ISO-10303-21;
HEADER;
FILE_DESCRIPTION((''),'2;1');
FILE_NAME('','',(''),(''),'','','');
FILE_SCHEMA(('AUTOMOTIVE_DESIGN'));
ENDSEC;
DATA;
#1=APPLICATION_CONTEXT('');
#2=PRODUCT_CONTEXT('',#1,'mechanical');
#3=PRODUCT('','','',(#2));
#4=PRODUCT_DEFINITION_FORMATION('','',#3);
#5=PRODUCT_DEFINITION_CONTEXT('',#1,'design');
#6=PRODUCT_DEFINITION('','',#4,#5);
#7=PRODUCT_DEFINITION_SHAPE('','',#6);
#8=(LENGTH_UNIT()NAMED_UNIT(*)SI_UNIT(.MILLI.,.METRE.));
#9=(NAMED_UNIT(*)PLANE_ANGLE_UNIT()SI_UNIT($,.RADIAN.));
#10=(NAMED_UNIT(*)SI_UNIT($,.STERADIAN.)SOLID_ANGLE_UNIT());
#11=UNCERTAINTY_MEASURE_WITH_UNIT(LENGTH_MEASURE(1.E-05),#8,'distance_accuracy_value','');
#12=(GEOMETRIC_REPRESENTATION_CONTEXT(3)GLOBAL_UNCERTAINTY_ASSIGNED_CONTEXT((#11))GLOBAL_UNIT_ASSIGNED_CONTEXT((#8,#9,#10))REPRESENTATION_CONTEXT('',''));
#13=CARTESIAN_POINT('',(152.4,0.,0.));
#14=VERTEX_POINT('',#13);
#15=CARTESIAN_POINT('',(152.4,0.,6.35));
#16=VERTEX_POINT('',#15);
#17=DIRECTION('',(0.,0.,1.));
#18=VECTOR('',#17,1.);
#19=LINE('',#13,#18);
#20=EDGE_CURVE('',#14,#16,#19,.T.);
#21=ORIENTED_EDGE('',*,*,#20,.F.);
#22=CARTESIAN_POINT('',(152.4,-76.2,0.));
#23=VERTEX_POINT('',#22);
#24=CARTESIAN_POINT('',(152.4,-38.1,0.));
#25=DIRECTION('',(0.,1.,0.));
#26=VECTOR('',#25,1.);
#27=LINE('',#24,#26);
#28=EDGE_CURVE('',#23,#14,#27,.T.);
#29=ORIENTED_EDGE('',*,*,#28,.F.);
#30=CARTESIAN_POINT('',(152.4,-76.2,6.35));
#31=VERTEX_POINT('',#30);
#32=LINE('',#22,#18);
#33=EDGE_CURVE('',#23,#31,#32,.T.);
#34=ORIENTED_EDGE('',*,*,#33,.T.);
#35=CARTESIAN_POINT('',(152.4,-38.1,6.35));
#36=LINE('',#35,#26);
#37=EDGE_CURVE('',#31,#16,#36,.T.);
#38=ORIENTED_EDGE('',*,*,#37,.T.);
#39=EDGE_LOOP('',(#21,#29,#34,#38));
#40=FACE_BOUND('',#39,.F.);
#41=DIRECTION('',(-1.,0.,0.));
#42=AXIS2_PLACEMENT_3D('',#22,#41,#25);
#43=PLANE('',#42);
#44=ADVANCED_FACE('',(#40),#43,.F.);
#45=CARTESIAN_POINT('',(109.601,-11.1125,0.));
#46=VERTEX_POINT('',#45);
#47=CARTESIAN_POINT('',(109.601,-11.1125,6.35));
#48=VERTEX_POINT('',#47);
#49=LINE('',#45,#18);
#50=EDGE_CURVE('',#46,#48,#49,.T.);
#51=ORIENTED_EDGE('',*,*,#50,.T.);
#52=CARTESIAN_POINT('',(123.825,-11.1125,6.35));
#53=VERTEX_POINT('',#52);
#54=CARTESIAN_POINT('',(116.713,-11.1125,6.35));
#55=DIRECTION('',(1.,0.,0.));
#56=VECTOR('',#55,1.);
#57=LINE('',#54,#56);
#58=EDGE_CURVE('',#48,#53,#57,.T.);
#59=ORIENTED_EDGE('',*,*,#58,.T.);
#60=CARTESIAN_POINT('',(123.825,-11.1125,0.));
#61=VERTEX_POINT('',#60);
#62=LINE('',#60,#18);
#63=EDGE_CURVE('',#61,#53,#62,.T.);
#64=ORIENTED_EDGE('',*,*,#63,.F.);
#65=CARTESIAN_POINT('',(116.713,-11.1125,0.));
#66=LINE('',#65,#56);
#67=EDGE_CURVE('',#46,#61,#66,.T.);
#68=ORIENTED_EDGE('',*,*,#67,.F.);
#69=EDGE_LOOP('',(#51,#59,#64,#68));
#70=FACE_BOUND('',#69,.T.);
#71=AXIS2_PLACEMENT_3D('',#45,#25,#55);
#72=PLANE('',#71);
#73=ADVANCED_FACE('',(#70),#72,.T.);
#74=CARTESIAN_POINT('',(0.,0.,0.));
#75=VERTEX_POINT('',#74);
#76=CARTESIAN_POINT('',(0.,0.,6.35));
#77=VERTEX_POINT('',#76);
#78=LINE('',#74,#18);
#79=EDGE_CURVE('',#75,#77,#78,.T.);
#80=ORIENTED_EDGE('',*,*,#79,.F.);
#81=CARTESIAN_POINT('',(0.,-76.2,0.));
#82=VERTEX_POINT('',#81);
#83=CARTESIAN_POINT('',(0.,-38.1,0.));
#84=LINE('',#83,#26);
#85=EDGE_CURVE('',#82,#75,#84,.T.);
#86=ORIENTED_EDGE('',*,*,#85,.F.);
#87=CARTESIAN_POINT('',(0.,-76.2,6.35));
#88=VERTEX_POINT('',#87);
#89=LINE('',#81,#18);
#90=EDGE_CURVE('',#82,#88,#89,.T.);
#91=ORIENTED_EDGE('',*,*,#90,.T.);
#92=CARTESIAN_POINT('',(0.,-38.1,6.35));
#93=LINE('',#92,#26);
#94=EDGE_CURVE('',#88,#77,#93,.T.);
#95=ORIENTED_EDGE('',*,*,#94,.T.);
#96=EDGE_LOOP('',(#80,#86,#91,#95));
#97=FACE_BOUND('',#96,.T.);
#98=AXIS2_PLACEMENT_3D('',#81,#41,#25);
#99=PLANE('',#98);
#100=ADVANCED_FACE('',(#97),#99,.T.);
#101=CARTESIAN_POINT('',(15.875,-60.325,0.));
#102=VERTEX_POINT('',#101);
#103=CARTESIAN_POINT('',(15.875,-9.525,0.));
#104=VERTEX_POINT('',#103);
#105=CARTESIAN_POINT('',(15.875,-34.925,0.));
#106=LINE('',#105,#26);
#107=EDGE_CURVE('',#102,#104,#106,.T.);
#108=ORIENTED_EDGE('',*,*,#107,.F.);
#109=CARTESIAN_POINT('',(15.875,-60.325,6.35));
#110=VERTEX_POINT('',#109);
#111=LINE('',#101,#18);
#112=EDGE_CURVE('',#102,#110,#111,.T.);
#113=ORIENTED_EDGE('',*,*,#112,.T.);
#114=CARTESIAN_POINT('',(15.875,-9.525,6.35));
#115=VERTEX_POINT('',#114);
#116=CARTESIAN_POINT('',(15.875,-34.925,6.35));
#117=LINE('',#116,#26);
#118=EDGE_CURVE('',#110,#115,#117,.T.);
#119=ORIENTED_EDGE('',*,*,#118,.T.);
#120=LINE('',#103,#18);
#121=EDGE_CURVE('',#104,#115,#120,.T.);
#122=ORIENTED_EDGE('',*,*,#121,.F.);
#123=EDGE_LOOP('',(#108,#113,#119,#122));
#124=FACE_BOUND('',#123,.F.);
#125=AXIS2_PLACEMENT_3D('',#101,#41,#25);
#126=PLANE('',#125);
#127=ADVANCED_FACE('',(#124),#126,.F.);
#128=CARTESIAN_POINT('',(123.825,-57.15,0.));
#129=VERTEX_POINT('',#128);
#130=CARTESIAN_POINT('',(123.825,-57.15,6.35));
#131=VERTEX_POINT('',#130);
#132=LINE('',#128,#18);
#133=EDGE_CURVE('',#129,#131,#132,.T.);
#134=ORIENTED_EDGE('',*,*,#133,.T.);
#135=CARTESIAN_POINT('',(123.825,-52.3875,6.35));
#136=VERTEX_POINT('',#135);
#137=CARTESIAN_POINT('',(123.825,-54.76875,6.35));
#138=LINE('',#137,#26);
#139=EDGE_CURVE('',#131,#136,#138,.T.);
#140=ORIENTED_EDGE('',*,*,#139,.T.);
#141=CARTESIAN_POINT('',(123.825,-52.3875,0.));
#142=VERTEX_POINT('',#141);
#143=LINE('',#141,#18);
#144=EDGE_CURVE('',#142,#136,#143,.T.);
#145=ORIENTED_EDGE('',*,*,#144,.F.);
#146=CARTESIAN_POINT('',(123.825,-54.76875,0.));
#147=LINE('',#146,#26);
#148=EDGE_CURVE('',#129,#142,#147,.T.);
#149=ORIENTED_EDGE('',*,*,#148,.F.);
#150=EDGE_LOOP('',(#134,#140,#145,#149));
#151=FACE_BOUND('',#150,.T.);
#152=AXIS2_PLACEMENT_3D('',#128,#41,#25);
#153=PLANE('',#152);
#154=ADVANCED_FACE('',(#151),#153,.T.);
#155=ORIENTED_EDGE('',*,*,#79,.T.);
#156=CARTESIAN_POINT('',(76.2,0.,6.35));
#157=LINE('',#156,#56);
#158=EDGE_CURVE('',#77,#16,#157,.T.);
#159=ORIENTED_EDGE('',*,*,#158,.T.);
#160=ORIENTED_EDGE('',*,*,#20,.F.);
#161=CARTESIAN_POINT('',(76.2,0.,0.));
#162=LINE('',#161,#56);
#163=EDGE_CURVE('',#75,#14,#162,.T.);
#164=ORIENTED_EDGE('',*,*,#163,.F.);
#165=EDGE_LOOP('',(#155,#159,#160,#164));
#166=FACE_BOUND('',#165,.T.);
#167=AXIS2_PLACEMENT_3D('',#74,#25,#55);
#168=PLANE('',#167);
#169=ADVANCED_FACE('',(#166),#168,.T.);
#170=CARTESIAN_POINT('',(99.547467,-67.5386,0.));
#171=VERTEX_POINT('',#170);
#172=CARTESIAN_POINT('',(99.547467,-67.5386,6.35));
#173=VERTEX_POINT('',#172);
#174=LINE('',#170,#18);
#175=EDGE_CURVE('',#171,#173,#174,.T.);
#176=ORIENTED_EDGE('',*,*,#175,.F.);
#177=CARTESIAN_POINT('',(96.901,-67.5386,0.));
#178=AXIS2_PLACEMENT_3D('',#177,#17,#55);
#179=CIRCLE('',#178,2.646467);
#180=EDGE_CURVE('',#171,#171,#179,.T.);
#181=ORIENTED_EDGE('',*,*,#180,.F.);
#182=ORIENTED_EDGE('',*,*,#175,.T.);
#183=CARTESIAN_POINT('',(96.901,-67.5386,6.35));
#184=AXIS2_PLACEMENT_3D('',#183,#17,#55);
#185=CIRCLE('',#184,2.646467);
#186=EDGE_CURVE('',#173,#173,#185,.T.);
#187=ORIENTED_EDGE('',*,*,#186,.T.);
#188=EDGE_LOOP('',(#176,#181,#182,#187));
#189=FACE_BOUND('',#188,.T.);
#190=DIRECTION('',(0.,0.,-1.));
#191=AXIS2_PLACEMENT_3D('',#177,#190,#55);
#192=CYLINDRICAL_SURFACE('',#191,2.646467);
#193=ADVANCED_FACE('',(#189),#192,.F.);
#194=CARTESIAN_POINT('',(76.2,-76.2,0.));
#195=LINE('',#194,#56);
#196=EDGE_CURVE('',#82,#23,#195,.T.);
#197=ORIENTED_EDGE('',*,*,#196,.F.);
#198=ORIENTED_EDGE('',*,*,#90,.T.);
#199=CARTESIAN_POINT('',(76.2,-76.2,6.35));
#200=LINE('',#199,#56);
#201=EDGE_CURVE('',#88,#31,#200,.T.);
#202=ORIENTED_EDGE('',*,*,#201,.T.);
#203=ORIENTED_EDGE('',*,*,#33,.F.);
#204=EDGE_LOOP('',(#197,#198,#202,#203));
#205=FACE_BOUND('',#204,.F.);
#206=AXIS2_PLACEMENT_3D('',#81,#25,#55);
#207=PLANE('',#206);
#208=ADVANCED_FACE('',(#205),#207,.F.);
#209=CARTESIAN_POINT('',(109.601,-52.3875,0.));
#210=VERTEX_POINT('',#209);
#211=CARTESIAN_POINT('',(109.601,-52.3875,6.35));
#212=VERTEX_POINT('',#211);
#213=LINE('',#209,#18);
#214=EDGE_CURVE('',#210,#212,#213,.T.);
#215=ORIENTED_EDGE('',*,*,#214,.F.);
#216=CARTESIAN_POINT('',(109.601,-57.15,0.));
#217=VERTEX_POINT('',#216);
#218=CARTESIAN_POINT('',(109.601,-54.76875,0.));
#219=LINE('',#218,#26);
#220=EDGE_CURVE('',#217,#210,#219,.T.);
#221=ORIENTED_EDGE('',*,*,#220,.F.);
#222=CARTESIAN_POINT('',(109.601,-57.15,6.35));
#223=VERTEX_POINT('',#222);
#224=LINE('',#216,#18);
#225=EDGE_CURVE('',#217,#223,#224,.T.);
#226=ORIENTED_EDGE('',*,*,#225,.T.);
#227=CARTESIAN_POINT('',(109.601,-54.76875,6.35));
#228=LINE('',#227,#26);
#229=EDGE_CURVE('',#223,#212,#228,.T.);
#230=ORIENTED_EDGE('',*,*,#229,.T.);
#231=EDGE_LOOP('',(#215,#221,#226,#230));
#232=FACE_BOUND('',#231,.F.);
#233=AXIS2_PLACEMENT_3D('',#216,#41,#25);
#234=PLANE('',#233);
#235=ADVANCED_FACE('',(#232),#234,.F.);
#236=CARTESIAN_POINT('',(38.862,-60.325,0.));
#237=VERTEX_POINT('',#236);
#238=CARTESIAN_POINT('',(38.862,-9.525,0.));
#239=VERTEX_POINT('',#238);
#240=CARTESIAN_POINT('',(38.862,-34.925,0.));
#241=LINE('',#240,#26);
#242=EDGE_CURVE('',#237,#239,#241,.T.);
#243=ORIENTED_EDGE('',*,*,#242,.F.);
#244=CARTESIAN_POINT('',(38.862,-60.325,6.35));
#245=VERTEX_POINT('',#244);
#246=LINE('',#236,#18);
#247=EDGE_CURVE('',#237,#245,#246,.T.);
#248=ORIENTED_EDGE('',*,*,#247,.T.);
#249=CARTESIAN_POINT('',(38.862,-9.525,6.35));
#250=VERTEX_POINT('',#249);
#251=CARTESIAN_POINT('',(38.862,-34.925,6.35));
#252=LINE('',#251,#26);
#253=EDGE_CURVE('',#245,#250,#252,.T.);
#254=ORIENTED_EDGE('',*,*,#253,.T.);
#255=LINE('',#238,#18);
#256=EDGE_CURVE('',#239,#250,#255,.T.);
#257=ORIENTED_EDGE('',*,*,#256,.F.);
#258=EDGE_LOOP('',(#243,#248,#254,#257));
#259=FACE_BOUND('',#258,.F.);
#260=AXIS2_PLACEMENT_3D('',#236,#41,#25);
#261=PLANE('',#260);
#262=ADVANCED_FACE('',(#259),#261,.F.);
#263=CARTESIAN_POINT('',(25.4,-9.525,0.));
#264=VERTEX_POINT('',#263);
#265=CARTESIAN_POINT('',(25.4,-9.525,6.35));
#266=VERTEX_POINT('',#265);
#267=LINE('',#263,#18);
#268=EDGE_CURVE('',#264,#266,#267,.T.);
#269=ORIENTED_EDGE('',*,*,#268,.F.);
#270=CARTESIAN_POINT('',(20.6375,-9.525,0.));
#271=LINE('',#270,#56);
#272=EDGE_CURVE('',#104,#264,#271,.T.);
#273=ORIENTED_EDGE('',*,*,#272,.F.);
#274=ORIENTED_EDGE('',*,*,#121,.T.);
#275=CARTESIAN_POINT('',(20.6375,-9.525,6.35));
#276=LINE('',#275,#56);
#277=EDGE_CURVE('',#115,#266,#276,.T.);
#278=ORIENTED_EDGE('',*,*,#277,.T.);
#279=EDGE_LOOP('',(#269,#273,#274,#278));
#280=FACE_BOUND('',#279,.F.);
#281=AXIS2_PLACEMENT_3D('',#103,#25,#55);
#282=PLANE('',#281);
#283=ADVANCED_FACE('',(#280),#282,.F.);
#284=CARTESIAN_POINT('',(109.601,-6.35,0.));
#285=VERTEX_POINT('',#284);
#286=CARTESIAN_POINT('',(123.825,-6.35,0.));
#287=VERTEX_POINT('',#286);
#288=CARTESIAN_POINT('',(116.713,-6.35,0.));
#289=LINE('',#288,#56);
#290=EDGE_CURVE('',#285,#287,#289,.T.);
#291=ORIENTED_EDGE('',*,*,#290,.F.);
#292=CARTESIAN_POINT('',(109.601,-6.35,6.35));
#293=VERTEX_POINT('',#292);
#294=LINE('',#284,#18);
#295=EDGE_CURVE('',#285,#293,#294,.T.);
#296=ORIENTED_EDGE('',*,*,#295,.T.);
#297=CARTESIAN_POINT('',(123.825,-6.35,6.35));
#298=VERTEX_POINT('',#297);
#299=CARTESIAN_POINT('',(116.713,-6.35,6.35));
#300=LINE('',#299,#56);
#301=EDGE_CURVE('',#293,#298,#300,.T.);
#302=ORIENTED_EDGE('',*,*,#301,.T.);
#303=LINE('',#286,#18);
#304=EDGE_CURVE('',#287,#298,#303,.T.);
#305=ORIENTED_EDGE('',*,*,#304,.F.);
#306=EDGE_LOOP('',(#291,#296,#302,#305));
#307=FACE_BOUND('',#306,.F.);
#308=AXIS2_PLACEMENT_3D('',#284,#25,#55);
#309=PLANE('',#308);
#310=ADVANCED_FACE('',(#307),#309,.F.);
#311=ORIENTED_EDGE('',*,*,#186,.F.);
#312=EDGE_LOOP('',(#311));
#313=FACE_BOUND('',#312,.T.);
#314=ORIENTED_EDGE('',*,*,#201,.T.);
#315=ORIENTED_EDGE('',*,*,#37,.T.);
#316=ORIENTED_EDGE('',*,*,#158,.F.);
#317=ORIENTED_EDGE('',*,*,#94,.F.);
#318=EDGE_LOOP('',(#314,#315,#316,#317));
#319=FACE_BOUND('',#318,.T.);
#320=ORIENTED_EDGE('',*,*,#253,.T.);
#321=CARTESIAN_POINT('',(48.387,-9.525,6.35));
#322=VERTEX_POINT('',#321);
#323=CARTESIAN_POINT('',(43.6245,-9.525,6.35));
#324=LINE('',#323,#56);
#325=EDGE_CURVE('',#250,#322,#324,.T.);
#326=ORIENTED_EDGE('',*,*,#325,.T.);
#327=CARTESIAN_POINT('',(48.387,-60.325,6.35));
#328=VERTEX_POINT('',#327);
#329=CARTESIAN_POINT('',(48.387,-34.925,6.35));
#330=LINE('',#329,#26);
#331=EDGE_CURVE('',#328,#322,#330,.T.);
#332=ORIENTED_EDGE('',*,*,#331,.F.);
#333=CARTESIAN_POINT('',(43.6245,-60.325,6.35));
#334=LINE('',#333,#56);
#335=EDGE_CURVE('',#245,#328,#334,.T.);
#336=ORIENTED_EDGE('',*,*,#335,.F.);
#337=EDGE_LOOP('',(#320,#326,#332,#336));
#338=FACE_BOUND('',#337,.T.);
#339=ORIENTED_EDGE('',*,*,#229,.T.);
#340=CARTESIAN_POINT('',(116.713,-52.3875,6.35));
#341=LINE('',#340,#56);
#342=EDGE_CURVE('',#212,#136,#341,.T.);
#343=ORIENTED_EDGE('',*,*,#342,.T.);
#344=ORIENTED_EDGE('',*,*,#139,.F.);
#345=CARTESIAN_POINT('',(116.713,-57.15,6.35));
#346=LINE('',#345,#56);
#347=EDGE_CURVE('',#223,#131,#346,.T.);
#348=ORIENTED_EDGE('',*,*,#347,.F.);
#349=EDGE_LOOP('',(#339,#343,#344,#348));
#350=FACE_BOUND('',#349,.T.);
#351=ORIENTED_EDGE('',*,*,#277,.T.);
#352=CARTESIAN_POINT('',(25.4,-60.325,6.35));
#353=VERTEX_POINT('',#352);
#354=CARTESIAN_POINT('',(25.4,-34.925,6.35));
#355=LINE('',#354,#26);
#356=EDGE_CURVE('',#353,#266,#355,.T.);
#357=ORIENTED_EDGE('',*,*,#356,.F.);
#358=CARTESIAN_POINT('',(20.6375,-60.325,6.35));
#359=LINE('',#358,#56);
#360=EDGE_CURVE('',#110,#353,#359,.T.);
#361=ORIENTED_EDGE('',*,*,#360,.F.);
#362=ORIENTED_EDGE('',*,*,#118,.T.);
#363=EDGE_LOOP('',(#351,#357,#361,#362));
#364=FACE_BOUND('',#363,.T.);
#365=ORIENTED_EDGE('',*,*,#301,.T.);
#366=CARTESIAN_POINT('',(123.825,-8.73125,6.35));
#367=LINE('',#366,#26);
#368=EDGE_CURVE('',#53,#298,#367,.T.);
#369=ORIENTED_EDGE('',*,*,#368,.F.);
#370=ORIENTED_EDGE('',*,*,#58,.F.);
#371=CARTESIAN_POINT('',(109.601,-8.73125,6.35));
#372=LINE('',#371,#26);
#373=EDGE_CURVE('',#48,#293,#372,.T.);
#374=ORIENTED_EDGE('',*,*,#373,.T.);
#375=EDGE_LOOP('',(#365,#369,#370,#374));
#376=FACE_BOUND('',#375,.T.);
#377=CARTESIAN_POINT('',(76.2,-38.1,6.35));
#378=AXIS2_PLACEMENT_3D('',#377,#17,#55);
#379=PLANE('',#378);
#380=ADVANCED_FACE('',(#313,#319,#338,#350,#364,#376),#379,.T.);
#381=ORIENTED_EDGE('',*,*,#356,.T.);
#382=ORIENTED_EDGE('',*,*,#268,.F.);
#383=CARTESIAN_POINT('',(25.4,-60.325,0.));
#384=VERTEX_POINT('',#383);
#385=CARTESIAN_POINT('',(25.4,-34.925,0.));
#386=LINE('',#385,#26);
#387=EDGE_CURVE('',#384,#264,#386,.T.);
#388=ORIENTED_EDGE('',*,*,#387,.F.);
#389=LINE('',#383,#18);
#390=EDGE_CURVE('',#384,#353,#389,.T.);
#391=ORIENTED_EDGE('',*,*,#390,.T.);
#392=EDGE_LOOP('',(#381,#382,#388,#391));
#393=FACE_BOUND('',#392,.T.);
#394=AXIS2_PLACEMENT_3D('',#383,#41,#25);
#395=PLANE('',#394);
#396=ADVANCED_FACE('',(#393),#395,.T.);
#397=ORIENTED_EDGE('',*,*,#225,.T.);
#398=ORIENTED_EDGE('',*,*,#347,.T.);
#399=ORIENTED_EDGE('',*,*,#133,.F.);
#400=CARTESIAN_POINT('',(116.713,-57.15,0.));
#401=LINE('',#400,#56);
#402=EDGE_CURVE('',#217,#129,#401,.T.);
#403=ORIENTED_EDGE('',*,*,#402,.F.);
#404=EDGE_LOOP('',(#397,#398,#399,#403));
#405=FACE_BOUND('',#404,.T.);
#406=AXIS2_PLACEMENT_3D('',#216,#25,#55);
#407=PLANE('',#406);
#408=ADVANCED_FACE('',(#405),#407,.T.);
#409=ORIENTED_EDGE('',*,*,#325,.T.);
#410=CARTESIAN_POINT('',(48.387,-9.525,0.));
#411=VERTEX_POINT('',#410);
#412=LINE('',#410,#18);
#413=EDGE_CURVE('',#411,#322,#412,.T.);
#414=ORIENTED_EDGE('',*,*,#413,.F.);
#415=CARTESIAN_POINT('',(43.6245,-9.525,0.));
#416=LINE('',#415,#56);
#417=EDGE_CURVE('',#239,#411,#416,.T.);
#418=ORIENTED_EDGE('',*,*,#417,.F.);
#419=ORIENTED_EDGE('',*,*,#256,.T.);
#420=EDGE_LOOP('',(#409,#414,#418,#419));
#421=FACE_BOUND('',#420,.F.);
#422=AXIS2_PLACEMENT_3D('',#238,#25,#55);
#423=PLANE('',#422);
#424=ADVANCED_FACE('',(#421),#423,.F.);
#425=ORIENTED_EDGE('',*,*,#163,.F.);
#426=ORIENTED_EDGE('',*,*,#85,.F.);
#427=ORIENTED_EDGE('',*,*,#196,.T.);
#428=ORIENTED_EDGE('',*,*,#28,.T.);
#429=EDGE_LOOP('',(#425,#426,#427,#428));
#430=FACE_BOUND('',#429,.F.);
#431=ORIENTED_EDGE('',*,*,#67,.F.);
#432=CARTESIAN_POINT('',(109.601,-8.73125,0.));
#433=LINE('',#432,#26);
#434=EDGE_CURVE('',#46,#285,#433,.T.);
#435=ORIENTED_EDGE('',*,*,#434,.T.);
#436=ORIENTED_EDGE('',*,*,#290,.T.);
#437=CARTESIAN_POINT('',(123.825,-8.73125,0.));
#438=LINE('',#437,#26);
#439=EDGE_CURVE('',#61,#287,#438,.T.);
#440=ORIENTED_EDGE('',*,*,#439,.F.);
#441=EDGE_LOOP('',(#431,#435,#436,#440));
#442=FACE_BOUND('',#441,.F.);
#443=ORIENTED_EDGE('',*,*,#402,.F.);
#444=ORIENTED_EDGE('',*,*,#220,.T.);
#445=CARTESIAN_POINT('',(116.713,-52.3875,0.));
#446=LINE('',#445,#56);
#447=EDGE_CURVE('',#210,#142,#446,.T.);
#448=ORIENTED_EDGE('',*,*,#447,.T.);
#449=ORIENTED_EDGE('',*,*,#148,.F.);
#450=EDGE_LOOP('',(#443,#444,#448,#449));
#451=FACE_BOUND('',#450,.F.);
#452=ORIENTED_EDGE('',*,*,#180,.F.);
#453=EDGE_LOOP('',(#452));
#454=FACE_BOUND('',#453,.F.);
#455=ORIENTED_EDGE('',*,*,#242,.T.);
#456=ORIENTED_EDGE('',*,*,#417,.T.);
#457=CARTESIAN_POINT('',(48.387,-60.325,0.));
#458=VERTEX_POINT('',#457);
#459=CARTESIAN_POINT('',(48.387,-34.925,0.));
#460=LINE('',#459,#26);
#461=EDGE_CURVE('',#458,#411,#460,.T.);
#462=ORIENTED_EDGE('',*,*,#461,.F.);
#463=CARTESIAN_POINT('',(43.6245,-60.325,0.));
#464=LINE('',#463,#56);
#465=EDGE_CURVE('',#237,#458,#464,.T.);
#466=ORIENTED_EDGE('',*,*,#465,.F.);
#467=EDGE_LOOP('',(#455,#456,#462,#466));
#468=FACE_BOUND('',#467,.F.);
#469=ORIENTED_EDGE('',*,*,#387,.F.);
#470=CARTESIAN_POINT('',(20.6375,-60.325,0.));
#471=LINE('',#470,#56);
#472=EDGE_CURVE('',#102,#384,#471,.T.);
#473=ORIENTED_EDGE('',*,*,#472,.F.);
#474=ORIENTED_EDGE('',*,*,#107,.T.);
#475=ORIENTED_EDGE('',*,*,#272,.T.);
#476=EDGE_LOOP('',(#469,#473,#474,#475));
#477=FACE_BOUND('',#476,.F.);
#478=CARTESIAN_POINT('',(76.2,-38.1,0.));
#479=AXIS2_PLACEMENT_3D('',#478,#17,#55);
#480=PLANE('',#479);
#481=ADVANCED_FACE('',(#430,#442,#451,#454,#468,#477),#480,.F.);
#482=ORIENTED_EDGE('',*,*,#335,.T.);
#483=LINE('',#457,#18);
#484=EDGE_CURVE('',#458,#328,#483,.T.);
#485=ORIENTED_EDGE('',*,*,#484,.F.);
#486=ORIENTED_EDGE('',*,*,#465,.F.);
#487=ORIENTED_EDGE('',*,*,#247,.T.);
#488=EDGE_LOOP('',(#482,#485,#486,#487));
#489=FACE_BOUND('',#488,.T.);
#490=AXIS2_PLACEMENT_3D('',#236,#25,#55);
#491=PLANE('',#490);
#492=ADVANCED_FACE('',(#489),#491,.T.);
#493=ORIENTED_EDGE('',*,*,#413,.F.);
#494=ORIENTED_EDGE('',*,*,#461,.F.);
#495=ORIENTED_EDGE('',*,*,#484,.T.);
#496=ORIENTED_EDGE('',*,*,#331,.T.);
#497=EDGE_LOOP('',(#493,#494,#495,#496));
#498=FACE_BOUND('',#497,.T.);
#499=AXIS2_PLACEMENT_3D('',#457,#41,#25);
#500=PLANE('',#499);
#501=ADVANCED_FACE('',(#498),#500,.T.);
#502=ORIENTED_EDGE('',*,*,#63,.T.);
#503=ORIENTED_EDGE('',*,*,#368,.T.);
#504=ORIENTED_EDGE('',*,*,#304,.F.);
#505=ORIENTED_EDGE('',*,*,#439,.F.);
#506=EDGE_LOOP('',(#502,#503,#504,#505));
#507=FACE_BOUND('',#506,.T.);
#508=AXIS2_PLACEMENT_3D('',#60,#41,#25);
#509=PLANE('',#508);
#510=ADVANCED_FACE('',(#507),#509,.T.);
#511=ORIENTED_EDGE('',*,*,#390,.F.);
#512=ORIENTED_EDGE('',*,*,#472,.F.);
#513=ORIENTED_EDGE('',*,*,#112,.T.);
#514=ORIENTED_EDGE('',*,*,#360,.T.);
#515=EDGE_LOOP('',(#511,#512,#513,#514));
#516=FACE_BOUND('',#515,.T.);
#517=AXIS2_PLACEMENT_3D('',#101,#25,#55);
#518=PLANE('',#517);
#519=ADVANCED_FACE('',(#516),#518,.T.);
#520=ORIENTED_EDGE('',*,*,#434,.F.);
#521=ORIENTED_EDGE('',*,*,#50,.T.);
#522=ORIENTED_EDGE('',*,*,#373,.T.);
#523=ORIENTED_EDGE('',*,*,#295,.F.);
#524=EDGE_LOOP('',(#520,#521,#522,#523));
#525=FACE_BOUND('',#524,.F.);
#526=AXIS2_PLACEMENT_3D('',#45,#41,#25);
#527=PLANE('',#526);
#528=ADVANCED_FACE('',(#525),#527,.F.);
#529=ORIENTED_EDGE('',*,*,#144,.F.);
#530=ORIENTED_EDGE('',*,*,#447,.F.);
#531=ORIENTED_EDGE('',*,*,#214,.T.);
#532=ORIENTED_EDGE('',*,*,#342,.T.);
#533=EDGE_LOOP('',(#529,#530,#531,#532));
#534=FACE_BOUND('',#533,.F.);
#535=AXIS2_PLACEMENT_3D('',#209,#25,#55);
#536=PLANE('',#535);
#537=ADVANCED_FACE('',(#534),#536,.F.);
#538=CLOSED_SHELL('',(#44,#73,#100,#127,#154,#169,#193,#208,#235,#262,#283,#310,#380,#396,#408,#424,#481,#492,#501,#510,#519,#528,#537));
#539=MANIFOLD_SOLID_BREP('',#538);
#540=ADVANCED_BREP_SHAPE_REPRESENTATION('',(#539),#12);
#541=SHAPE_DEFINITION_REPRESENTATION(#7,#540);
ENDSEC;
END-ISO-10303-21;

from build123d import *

# Parameters (mm, degrees)
F0_W     = 152.4
F0_H     = 76.2
F0_R     = 2.646467
F0_W_2   = 14.224
F0_H_2   = 4.7625
F0_W_3   = 9.525
F0_H_3   = 50.8
F1_DEPTH = 6.35


with BuildPart() as f1:
    # F0 (on Top) → F1 (new body)
    with BuildSketch(Plane.XY):
        with Locations((76.2, -38.1)):
            Rectangle(F0_W, F0_H)
        with Locations((96.901, -67.5386)):
            Circle(F0_R, mode=Mode.SUBTRACT)
        with Locations((116.713, -54.76875)):
            Rectangle(F0_W_2, F0_H_2, mode=Mode.SUBTRACT)
        with Locations((20.6375, -34.925)):
            Rectangle(F0_W_3, F0_H_3, mode=Mode.SUBTRACT)
        with Locations((43.6245, -34.925)):
            Rectangle(F0_W_3, F0_H_3, mode=Mode.SUBTRACT)
        with Locations((116.713, -8.73125)):
            Rectangle(F0_W_2, F0_H_2, mode=Mode.SUBTRACT)
    extrude(amount=F1_DEPTH)


solid = f1.part
